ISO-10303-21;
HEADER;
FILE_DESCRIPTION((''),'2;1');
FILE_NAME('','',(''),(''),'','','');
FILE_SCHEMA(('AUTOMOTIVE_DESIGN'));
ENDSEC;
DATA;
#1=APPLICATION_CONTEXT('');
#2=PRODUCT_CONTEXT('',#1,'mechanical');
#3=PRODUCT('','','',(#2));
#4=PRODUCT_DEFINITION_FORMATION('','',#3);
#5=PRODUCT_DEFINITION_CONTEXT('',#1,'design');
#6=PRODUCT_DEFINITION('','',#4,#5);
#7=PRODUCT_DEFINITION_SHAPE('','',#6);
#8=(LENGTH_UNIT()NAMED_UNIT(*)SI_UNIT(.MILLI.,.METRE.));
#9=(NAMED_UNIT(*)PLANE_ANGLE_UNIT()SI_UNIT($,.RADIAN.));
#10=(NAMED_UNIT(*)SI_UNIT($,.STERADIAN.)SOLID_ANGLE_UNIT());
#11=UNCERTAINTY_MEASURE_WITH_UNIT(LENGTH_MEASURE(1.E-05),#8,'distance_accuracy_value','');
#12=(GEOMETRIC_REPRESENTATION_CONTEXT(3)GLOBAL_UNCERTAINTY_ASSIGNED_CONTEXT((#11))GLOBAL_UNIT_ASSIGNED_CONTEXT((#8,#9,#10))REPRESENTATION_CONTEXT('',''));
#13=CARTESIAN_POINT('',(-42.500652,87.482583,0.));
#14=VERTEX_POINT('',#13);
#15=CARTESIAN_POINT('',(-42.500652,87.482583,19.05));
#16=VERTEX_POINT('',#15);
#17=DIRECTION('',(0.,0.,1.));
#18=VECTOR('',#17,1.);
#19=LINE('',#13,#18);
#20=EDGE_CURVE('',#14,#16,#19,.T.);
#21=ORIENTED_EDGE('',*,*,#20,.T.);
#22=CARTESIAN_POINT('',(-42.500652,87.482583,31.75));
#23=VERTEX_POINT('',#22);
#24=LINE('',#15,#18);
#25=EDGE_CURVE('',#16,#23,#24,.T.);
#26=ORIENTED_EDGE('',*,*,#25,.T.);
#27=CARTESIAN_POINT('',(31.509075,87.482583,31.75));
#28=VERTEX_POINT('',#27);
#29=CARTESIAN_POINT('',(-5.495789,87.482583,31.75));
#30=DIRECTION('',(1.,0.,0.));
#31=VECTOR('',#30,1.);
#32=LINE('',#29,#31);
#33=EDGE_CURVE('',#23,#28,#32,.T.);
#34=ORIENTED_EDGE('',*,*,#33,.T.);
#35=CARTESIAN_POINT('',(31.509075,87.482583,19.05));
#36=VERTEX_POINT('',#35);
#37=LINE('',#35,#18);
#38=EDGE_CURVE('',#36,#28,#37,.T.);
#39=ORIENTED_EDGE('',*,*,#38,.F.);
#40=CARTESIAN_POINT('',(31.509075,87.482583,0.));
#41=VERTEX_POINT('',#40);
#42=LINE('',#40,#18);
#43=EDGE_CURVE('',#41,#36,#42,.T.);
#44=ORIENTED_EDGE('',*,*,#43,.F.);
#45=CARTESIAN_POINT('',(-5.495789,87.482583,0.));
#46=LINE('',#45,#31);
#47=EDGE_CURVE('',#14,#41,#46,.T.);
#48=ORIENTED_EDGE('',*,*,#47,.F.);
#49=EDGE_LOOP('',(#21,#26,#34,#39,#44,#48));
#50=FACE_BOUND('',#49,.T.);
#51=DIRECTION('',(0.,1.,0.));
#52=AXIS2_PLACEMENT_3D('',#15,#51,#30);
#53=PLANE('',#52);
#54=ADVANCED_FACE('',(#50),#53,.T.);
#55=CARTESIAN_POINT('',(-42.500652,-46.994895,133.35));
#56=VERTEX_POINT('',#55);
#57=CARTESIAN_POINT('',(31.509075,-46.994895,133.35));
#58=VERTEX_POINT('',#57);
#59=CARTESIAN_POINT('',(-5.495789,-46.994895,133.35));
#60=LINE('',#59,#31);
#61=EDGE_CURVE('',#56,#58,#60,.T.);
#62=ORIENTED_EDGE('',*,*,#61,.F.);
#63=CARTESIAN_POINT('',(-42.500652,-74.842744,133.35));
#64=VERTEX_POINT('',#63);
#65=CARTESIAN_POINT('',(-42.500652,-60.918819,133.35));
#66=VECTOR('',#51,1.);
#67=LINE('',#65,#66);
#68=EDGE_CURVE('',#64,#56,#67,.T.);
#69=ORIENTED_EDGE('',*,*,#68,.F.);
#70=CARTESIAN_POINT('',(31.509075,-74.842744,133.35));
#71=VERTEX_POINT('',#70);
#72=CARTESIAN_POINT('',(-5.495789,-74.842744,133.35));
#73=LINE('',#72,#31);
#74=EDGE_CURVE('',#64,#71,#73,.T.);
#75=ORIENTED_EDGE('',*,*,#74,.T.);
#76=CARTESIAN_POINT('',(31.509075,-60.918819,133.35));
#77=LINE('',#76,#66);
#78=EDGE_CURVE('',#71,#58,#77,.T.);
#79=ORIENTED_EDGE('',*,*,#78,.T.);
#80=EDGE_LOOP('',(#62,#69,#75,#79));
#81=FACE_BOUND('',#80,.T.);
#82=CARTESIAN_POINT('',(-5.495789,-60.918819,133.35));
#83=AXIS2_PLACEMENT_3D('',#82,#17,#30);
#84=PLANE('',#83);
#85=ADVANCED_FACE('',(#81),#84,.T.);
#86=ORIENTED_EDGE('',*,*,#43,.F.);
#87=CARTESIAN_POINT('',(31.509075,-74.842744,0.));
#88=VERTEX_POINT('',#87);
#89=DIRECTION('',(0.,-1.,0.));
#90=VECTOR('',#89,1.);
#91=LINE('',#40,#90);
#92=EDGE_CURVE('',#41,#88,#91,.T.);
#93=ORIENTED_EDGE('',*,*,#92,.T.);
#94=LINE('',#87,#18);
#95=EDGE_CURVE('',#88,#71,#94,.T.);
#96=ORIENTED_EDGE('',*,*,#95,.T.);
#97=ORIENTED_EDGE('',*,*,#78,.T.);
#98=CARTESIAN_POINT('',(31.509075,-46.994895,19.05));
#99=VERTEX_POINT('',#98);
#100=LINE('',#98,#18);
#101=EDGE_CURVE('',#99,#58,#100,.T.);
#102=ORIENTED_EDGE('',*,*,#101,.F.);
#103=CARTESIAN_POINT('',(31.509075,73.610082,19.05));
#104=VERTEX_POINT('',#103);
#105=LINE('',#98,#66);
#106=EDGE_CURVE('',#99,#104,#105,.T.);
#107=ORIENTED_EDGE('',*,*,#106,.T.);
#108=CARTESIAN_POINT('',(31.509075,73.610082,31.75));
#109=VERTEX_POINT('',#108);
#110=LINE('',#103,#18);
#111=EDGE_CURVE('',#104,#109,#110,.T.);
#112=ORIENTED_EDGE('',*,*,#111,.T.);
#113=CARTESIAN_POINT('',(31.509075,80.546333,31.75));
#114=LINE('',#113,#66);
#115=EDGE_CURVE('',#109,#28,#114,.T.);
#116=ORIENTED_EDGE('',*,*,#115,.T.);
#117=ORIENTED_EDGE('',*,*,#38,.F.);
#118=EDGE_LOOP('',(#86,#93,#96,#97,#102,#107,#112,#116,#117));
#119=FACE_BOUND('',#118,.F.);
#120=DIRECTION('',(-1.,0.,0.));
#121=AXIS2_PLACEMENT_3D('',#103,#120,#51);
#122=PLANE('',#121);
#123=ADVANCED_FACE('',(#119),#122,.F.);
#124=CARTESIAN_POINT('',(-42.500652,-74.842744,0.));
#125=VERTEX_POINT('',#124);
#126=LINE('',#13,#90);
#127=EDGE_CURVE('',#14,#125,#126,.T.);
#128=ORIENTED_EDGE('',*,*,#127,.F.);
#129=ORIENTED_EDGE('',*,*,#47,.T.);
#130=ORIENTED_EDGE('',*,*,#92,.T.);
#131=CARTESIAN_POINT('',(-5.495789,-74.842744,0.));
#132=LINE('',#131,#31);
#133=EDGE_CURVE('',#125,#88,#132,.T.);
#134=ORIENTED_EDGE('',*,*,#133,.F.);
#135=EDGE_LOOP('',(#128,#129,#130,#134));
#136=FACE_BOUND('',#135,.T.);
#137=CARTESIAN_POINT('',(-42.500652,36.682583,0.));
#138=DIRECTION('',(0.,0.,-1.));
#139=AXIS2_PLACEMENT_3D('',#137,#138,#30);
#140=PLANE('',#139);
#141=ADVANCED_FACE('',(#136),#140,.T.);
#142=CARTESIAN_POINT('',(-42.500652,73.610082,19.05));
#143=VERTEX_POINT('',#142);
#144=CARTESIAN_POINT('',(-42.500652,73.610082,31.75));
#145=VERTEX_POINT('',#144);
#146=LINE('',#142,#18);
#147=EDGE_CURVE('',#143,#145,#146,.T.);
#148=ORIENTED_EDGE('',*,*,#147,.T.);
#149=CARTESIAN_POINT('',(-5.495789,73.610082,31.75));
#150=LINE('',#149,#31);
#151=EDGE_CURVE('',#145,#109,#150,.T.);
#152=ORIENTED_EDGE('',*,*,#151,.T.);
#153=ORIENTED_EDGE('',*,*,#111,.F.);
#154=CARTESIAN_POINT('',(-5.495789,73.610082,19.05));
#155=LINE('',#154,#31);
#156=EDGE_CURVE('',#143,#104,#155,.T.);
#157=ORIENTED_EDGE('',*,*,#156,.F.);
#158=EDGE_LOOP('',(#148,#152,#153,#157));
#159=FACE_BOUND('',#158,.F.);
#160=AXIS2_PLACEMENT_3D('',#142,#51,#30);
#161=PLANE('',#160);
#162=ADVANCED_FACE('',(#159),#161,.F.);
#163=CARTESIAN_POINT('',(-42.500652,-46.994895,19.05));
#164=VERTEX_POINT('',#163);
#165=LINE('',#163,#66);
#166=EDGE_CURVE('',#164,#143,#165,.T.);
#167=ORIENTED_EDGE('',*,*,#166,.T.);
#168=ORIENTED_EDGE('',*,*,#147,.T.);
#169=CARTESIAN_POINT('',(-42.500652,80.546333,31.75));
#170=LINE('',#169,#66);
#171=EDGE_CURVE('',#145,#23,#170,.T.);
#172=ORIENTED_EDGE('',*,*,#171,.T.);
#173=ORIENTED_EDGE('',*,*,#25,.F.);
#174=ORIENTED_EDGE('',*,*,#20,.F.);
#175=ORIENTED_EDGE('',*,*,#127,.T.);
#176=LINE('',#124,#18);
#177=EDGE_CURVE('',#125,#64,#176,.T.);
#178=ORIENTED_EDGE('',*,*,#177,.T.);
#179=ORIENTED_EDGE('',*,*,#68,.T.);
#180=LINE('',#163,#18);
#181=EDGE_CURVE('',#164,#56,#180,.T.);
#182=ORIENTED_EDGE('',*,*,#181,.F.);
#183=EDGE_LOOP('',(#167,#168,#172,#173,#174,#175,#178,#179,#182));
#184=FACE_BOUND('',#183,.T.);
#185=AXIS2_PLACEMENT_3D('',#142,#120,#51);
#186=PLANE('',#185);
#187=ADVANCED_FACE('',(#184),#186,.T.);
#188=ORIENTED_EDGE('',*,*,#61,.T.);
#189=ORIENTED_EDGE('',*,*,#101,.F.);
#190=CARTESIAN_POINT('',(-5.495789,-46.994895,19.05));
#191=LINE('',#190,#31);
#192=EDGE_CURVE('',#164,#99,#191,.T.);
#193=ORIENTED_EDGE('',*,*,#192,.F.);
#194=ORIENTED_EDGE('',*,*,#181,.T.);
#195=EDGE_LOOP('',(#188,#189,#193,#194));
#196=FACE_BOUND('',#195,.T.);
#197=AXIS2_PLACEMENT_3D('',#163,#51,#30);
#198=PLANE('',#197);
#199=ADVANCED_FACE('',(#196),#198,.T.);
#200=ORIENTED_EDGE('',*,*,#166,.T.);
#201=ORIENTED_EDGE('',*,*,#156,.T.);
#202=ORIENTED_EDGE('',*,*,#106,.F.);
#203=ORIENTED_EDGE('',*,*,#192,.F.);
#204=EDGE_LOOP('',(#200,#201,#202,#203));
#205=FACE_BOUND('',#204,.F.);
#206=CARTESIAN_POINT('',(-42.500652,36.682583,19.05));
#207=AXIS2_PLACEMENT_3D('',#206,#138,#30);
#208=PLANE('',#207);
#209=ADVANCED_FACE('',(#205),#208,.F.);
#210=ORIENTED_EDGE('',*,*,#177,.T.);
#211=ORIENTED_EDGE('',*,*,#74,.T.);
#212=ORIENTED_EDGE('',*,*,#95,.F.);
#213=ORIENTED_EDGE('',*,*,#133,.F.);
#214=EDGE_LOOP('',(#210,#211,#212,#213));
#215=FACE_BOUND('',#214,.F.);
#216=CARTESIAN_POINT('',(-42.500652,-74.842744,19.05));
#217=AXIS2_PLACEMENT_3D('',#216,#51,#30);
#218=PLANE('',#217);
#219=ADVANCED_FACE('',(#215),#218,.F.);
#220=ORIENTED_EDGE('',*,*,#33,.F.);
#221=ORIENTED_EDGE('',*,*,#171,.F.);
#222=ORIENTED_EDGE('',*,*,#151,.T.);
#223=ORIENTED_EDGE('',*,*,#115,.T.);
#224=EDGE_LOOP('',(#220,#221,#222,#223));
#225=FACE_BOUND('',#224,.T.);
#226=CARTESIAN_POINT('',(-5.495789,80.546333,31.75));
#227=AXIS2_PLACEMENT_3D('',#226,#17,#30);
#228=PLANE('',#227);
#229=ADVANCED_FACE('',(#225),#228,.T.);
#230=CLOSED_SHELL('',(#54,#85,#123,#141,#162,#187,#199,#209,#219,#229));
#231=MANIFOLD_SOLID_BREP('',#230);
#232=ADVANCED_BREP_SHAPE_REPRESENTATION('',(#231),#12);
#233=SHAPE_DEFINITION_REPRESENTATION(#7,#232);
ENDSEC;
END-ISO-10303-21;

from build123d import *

# Parameters (mm, degrees)
F0_W     = 74.0097276866
F0_H     = 111.5253269672
F1_DEPTH = 19.05
F2_W     = 74.0097276866
F2_H     = 27.8478488326
F3_DEPTH = 114.3
F4_DEPTH = 50.8
F5_W     = 74.0097276866
F5_H     = 13.872501123
F6_DEPTH = 12.7


with BuildPart() as f1:
    # F0 (on Top) → F1 (new body)
    with BuildSketch(Plane.XY):
        with Locations((-5.4957885295, -19.080080092)):
            Rectangle(F0_W, F0_H)
    extrude(amount=F1_DEPTH)

    # F2 (on face) → F3 (join)
    with BuildSketch(Plane.XY.offset(19.05)):
        with Locations((-5.4957885295, -60.9188191593)):
            Rectangle(F2_W, F2_H)
    extrude(amount=F3_DEPTH)

    # F4 (add): a face of the model
    f4_faces = [f1.faces().sort_by_distance(p)[0] for p in [
        (-5.4957885295, 36.6825833917, 9.525),
    ]]
    extrude(f4_faces, amount=F4_DEPTH)

    # F5 (on face) → F6 (join)
    with BuildSketch(Plane.XY.offset(19.05)):
        with Locations((-5.4957885295, 80.5463328302)):
            Rectangle(F5_W, F5_H)
    extrude(amount=F6_DEPTH)


solid = f1.part
